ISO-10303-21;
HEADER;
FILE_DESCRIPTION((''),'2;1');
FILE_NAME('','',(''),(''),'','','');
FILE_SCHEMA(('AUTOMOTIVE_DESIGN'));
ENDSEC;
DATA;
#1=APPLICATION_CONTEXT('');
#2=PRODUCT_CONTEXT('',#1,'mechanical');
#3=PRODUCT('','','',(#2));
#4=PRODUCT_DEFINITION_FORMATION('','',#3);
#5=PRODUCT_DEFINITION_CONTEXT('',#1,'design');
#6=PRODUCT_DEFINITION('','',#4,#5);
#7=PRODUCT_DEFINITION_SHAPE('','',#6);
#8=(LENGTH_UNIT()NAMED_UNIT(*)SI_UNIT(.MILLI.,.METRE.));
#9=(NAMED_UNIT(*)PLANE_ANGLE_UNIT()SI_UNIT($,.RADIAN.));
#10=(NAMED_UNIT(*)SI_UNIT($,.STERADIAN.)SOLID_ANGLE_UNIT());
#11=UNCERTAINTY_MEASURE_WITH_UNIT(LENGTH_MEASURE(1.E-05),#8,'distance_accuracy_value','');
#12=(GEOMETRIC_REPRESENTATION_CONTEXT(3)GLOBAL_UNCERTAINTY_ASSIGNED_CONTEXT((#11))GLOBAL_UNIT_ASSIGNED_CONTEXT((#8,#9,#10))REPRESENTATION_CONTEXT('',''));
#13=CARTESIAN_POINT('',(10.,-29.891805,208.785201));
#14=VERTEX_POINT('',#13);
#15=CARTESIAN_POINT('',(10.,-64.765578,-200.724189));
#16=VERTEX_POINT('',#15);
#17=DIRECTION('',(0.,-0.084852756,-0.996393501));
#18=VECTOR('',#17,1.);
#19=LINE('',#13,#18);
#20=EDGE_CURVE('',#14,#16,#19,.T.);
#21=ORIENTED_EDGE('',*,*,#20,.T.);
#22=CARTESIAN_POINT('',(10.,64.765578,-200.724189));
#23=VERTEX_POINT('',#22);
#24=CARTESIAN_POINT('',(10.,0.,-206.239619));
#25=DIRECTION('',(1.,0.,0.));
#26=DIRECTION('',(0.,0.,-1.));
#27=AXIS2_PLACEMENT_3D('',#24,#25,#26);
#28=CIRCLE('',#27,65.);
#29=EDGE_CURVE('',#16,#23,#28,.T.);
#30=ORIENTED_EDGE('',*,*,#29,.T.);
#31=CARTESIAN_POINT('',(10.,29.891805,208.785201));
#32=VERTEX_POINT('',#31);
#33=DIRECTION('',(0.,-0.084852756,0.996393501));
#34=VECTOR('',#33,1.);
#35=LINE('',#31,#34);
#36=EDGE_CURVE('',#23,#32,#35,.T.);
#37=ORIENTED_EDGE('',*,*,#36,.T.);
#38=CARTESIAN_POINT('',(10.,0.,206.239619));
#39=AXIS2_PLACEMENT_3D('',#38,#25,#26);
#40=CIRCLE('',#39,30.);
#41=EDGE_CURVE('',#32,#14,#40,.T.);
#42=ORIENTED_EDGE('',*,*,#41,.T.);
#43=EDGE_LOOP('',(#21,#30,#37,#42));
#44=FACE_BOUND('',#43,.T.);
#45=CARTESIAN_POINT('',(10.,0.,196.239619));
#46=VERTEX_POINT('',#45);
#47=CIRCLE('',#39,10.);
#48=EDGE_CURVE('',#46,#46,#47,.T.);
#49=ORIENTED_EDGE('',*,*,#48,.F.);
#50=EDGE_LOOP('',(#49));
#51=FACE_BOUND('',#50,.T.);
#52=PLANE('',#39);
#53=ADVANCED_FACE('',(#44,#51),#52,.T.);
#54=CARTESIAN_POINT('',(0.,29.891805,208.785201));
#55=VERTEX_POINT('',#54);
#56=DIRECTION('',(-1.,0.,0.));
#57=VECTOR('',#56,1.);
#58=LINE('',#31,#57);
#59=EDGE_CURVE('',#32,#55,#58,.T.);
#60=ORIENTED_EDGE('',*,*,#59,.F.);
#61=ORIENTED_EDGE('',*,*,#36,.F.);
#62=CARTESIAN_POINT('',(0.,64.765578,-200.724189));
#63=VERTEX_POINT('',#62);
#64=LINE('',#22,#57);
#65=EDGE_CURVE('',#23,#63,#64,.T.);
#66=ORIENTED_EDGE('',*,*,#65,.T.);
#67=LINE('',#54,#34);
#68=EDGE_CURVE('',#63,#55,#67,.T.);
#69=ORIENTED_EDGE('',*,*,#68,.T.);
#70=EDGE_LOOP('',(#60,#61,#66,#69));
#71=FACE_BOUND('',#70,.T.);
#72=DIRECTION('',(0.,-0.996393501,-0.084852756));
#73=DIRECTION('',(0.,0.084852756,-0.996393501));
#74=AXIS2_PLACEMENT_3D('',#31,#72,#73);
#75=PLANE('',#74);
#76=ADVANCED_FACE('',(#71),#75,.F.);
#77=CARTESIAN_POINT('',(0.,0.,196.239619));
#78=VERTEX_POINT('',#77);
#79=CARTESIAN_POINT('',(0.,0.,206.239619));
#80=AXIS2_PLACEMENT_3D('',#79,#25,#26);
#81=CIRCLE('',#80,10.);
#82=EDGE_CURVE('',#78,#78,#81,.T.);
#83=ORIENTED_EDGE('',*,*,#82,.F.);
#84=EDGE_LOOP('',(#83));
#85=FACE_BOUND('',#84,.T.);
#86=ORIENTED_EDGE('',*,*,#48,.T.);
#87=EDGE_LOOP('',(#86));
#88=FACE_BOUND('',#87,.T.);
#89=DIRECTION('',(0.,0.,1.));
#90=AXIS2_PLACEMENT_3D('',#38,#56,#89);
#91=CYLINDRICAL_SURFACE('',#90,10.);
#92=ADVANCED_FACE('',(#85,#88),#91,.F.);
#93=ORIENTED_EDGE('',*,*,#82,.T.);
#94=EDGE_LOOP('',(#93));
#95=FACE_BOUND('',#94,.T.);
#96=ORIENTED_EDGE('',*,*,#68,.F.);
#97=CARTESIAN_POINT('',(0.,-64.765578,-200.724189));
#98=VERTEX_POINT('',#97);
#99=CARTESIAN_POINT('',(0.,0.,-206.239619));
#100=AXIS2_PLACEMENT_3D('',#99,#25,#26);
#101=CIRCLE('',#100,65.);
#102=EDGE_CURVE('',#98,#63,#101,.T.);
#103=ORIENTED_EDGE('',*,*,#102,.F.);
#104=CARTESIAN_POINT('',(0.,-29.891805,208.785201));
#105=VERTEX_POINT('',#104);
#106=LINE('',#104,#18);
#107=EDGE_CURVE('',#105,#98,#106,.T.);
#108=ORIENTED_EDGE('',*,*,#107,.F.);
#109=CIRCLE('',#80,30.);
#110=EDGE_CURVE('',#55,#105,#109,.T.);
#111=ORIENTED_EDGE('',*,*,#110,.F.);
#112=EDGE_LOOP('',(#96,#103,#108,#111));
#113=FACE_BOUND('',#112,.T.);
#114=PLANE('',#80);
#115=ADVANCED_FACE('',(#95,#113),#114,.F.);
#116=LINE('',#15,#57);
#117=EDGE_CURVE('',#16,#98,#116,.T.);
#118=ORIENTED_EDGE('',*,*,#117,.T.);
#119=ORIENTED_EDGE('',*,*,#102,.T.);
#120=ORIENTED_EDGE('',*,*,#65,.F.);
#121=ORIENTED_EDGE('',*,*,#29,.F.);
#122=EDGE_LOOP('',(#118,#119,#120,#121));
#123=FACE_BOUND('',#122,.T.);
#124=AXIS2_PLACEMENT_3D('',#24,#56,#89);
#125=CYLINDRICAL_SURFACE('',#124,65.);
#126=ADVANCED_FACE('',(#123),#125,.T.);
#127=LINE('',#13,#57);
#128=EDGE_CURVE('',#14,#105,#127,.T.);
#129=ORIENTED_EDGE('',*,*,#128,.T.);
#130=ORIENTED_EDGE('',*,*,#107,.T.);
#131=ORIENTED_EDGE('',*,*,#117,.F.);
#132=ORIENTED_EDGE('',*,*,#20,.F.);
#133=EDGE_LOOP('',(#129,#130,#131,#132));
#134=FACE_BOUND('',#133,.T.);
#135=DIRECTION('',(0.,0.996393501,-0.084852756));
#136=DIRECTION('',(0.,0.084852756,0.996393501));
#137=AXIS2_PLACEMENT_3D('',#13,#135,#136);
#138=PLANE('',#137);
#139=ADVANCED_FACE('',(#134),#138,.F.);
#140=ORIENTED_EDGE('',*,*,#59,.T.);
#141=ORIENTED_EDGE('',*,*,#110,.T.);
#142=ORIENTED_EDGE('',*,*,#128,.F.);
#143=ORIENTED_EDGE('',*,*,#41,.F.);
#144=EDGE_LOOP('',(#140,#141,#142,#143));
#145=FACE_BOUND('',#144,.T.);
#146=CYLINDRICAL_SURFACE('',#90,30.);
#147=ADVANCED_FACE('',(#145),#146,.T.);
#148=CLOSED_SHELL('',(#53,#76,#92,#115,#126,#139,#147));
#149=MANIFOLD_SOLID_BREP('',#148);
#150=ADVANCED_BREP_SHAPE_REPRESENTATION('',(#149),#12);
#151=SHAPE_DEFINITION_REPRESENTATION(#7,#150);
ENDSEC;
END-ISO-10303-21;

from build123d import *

# Parameters (mm, degrees)
SKETCH1_R           = 10
BOSS_EXTRUDE3_DEPTH = 10


with BuildPart() as part:
    # Sketch1 → Boss-Extrude3 (new body)
    with BuildSketch(Plane(origin=(0, 0, 0), x_dir=(0, 0, -1), z_dir=(1, 0, 0))):
        with BuildLine():
            Line((-208.785201176, 29.891805045), (200.724189368, 64.765577597))
            ThreePointArc((200.724189368, 64.765577597), (271.2396185, 0), (200.724189368, -64.765577597))
            Line((200.724189368, -64.765577597), (-208.785201176, -29.891805045))
            ThreePointArc((-208.785201176, -29.891805045), (-236.2396185, 0), (-208.785201176, 29.891805045))
        make_face()
        with Locations((-206.2396185, 0)):
            Circle(SKETCH1_R, mode=Mode.SUBTRACT)
    extrude(amount=BOSS_EXTRUDE3_DEPTH)


solid = part.part
